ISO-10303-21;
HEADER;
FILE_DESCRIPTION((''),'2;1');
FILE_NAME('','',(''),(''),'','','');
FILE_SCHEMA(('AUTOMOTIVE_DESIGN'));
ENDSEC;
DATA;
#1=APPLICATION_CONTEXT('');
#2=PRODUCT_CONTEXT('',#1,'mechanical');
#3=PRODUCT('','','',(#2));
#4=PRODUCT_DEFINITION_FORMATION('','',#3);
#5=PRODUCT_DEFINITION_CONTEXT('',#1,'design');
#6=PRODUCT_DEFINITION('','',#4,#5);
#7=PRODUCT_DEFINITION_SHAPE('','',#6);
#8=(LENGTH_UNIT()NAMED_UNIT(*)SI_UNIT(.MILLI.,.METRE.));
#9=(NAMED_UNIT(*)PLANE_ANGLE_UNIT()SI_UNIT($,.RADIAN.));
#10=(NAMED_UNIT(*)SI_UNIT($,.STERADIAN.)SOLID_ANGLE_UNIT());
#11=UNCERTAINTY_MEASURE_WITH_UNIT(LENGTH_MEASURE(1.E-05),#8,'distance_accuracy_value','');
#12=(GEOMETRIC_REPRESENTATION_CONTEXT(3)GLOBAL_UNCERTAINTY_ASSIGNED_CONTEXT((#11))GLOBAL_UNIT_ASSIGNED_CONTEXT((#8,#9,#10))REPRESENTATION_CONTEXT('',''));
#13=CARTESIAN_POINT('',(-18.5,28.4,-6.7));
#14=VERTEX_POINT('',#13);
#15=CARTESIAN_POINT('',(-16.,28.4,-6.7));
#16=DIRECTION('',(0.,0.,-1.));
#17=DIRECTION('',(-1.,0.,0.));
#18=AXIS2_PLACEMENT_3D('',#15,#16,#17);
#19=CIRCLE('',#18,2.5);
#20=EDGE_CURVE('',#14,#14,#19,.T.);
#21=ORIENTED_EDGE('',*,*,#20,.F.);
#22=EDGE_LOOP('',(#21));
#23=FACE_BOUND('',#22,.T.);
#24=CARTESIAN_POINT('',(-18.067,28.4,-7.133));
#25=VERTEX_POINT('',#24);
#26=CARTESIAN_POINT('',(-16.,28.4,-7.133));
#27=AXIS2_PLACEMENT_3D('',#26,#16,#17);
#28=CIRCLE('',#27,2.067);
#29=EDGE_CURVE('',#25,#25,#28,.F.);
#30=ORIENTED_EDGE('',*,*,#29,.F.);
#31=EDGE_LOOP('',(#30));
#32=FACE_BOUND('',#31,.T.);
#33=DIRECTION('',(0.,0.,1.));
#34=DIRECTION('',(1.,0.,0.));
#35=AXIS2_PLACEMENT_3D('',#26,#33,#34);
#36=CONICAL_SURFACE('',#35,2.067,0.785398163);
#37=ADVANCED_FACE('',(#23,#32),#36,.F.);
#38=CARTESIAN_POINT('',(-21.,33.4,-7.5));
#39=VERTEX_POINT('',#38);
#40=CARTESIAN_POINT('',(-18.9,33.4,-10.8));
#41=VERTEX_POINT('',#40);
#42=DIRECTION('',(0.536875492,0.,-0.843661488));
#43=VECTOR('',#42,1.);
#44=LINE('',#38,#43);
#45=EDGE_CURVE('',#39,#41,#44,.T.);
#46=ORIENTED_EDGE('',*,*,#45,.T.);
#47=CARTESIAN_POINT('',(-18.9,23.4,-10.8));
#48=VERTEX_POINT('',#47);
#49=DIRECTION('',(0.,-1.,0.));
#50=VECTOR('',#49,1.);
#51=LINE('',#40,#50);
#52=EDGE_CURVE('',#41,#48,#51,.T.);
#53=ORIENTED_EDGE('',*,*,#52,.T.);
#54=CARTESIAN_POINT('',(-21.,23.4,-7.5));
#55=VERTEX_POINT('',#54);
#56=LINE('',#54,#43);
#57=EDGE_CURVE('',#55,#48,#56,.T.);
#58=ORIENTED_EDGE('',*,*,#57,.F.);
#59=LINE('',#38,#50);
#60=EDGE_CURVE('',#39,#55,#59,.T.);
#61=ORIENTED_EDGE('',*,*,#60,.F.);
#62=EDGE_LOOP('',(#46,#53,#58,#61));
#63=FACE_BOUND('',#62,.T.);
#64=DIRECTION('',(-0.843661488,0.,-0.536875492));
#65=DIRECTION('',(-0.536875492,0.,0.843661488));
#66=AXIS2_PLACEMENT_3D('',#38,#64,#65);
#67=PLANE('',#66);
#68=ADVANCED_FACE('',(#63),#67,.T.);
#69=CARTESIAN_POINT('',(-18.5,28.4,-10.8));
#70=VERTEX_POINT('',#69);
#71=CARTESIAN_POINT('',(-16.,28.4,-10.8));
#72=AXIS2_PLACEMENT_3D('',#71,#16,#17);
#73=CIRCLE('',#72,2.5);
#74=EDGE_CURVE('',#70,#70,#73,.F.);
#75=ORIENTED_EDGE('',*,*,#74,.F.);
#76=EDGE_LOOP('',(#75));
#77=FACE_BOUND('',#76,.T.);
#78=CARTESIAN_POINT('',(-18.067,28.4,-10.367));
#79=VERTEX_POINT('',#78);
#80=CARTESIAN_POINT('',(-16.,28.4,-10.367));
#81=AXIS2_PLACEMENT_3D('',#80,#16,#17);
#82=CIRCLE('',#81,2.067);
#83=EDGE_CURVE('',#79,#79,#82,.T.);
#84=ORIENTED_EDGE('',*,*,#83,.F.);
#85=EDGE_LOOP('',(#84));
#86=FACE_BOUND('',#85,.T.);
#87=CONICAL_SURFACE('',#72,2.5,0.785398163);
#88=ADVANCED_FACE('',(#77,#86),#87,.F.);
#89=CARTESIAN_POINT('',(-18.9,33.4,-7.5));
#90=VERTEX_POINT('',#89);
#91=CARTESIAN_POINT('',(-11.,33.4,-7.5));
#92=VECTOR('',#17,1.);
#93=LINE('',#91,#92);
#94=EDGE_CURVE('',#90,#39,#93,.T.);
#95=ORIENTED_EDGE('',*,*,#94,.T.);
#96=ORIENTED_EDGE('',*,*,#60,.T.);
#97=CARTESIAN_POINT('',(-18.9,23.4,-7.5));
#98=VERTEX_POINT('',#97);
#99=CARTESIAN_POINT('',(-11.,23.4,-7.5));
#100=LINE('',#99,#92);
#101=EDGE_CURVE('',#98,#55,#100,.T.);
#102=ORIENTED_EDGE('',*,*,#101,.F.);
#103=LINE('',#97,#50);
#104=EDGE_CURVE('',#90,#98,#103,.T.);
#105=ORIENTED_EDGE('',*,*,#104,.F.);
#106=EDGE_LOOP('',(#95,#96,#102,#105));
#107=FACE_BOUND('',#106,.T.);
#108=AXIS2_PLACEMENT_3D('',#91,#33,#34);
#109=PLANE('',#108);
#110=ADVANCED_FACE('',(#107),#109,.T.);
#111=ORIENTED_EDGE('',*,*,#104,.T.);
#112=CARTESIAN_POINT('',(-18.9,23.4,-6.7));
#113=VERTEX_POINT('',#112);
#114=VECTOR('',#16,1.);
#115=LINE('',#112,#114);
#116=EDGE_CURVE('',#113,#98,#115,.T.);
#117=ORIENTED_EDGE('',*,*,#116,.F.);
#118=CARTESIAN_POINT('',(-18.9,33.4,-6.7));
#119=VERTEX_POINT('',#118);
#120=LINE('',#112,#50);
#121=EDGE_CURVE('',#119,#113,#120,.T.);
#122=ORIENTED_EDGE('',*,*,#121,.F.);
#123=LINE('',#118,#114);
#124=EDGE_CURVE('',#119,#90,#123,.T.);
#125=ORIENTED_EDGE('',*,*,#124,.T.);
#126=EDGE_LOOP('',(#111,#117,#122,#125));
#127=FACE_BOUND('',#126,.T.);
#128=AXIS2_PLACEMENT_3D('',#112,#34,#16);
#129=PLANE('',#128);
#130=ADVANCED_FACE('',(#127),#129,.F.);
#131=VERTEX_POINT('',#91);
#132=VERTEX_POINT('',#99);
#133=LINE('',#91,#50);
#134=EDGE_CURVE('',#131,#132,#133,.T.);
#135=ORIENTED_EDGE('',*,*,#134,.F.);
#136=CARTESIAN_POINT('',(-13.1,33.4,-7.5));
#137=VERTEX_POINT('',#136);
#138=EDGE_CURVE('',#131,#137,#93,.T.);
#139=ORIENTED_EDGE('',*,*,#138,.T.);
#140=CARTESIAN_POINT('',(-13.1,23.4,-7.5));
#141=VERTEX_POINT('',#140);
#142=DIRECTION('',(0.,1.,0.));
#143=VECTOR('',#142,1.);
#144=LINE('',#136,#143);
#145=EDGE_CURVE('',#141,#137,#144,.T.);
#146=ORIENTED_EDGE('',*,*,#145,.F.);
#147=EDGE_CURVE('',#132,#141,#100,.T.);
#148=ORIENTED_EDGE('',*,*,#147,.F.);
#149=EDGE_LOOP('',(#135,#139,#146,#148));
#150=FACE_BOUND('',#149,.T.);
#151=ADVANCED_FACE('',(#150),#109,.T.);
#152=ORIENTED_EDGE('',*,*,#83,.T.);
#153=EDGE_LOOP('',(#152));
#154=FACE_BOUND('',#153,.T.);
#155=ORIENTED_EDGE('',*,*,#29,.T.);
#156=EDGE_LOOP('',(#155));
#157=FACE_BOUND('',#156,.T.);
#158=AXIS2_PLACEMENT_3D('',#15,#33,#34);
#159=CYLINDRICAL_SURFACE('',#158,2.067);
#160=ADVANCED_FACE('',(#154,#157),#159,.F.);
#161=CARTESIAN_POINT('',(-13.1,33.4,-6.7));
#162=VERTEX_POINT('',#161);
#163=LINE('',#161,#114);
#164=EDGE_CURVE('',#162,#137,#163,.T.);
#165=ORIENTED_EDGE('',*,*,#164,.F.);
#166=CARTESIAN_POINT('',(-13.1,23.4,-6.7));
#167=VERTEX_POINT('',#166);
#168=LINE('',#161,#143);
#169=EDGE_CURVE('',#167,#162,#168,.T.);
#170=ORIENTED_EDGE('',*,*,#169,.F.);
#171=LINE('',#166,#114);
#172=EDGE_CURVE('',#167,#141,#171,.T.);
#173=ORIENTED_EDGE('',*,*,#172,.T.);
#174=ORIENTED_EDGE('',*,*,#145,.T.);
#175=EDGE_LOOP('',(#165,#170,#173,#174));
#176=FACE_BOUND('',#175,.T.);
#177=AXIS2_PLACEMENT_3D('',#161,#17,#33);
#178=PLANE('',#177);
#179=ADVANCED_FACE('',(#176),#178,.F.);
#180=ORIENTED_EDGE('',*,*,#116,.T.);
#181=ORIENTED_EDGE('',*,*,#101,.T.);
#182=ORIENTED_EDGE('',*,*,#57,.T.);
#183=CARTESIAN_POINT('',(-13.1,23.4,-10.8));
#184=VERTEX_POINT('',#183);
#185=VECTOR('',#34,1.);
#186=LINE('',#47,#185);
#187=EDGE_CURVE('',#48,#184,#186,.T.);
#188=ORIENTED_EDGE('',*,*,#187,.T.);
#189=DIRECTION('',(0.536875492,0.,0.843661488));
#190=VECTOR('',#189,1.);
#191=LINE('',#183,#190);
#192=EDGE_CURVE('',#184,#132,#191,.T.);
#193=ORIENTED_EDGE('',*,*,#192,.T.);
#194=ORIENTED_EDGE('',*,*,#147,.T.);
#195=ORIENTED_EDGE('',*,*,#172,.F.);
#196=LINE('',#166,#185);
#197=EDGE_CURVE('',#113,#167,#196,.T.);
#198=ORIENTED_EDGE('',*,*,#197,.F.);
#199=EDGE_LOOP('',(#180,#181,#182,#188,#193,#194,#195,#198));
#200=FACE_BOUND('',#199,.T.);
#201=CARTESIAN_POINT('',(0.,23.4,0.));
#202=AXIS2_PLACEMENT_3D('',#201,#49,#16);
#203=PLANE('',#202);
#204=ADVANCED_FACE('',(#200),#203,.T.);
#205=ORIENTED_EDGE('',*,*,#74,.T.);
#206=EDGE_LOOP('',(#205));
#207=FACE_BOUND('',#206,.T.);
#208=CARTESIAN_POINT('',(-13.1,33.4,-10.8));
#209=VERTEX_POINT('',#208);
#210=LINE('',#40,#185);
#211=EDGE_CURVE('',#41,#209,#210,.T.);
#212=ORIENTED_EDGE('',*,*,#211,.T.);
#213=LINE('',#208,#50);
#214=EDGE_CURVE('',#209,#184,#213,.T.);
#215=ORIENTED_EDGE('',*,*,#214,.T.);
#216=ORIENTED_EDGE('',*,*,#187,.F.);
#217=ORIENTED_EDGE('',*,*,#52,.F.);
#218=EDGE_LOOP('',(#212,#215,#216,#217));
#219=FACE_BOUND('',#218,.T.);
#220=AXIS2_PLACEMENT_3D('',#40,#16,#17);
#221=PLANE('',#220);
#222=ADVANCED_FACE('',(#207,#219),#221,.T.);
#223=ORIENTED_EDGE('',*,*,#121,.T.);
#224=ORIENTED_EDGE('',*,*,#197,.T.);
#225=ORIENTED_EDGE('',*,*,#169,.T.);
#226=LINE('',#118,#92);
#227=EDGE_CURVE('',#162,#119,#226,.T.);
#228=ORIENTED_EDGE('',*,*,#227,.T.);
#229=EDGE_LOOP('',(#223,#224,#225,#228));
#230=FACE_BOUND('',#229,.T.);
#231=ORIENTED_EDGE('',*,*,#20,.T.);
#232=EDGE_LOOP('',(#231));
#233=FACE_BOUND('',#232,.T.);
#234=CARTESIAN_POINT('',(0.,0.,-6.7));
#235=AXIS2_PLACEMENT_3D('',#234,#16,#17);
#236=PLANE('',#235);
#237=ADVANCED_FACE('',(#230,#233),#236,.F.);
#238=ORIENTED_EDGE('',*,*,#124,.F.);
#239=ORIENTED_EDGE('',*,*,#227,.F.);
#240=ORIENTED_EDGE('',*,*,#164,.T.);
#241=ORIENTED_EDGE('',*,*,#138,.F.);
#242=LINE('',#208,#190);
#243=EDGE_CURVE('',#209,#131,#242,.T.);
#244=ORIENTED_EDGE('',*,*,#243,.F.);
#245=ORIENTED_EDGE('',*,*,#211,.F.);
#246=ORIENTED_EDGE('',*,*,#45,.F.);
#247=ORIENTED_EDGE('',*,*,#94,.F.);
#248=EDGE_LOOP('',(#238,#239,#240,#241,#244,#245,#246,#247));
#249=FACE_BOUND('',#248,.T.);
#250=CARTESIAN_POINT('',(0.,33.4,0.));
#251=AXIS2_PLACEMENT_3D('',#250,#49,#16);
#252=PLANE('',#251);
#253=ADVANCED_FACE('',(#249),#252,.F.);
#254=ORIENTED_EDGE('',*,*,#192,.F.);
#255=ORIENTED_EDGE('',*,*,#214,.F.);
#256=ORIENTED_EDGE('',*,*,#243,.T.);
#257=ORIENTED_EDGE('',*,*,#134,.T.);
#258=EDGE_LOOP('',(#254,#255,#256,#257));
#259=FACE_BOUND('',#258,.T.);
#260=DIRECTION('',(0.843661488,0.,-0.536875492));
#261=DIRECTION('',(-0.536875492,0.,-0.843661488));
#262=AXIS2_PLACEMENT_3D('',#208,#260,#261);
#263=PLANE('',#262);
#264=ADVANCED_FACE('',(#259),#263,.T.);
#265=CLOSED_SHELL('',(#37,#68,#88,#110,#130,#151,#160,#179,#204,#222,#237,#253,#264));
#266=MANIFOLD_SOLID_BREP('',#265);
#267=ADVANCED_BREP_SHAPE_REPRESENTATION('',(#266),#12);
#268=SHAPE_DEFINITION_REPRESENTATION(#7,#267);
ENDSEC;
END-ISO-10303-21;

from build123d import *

# Parameters (mm, degrees)
EXTRUDE1_DEPTH = 10
SKETCH2_W      = 5.8
SKETCH2_H      = 10
EXTRUDE2_DEPTH = 0.8
HOLEWZD1_D     = 4.134
HOLEWZD1_DEPTH = 4.1
CHAMFER1_SIZE  = 0.433


with BuildPart() as part:
    # Sketch1 → Extrude1 (new body)
    with BuildSketch(Plane.XZ.offset(-23.4)):
        Polygon((-13.1, -10.8), (-11, -7.5), (-21, -7.5), (-18.9, -10.8), align=None)
    extrude(amount=-EXTRUDE1_DEPTH)

    # Sketch2 → Extrude2 (add)
    with BuildSketch(Plane.XY.offset(-7.5)):
        with Locations((-16, 28.4)):
            Rectangle(SKETCH2_W, SKETCH2_H)
    extrude(amount=EXTRUDE2_DEPTH)

    # HoleWzd1
    with Locations(Plane.XY.offset(-6.7)):
        with Locations((-16, 28.4)):
            Hole(HOLEWZD1_D / 2, depth=HOLEWZD1_DEPTH)

    # Chamfer1
    chamfer1_edges = [part.edges().sort_by_distance(p)[0] for p in [
        (-13.933, 28.4, -6.7),
        (-13.933, 28.4, -10.8),
    ]]
    chamfer(chamfer1_edges, length=CHAMFER1_SIZE)


solid = part.part
